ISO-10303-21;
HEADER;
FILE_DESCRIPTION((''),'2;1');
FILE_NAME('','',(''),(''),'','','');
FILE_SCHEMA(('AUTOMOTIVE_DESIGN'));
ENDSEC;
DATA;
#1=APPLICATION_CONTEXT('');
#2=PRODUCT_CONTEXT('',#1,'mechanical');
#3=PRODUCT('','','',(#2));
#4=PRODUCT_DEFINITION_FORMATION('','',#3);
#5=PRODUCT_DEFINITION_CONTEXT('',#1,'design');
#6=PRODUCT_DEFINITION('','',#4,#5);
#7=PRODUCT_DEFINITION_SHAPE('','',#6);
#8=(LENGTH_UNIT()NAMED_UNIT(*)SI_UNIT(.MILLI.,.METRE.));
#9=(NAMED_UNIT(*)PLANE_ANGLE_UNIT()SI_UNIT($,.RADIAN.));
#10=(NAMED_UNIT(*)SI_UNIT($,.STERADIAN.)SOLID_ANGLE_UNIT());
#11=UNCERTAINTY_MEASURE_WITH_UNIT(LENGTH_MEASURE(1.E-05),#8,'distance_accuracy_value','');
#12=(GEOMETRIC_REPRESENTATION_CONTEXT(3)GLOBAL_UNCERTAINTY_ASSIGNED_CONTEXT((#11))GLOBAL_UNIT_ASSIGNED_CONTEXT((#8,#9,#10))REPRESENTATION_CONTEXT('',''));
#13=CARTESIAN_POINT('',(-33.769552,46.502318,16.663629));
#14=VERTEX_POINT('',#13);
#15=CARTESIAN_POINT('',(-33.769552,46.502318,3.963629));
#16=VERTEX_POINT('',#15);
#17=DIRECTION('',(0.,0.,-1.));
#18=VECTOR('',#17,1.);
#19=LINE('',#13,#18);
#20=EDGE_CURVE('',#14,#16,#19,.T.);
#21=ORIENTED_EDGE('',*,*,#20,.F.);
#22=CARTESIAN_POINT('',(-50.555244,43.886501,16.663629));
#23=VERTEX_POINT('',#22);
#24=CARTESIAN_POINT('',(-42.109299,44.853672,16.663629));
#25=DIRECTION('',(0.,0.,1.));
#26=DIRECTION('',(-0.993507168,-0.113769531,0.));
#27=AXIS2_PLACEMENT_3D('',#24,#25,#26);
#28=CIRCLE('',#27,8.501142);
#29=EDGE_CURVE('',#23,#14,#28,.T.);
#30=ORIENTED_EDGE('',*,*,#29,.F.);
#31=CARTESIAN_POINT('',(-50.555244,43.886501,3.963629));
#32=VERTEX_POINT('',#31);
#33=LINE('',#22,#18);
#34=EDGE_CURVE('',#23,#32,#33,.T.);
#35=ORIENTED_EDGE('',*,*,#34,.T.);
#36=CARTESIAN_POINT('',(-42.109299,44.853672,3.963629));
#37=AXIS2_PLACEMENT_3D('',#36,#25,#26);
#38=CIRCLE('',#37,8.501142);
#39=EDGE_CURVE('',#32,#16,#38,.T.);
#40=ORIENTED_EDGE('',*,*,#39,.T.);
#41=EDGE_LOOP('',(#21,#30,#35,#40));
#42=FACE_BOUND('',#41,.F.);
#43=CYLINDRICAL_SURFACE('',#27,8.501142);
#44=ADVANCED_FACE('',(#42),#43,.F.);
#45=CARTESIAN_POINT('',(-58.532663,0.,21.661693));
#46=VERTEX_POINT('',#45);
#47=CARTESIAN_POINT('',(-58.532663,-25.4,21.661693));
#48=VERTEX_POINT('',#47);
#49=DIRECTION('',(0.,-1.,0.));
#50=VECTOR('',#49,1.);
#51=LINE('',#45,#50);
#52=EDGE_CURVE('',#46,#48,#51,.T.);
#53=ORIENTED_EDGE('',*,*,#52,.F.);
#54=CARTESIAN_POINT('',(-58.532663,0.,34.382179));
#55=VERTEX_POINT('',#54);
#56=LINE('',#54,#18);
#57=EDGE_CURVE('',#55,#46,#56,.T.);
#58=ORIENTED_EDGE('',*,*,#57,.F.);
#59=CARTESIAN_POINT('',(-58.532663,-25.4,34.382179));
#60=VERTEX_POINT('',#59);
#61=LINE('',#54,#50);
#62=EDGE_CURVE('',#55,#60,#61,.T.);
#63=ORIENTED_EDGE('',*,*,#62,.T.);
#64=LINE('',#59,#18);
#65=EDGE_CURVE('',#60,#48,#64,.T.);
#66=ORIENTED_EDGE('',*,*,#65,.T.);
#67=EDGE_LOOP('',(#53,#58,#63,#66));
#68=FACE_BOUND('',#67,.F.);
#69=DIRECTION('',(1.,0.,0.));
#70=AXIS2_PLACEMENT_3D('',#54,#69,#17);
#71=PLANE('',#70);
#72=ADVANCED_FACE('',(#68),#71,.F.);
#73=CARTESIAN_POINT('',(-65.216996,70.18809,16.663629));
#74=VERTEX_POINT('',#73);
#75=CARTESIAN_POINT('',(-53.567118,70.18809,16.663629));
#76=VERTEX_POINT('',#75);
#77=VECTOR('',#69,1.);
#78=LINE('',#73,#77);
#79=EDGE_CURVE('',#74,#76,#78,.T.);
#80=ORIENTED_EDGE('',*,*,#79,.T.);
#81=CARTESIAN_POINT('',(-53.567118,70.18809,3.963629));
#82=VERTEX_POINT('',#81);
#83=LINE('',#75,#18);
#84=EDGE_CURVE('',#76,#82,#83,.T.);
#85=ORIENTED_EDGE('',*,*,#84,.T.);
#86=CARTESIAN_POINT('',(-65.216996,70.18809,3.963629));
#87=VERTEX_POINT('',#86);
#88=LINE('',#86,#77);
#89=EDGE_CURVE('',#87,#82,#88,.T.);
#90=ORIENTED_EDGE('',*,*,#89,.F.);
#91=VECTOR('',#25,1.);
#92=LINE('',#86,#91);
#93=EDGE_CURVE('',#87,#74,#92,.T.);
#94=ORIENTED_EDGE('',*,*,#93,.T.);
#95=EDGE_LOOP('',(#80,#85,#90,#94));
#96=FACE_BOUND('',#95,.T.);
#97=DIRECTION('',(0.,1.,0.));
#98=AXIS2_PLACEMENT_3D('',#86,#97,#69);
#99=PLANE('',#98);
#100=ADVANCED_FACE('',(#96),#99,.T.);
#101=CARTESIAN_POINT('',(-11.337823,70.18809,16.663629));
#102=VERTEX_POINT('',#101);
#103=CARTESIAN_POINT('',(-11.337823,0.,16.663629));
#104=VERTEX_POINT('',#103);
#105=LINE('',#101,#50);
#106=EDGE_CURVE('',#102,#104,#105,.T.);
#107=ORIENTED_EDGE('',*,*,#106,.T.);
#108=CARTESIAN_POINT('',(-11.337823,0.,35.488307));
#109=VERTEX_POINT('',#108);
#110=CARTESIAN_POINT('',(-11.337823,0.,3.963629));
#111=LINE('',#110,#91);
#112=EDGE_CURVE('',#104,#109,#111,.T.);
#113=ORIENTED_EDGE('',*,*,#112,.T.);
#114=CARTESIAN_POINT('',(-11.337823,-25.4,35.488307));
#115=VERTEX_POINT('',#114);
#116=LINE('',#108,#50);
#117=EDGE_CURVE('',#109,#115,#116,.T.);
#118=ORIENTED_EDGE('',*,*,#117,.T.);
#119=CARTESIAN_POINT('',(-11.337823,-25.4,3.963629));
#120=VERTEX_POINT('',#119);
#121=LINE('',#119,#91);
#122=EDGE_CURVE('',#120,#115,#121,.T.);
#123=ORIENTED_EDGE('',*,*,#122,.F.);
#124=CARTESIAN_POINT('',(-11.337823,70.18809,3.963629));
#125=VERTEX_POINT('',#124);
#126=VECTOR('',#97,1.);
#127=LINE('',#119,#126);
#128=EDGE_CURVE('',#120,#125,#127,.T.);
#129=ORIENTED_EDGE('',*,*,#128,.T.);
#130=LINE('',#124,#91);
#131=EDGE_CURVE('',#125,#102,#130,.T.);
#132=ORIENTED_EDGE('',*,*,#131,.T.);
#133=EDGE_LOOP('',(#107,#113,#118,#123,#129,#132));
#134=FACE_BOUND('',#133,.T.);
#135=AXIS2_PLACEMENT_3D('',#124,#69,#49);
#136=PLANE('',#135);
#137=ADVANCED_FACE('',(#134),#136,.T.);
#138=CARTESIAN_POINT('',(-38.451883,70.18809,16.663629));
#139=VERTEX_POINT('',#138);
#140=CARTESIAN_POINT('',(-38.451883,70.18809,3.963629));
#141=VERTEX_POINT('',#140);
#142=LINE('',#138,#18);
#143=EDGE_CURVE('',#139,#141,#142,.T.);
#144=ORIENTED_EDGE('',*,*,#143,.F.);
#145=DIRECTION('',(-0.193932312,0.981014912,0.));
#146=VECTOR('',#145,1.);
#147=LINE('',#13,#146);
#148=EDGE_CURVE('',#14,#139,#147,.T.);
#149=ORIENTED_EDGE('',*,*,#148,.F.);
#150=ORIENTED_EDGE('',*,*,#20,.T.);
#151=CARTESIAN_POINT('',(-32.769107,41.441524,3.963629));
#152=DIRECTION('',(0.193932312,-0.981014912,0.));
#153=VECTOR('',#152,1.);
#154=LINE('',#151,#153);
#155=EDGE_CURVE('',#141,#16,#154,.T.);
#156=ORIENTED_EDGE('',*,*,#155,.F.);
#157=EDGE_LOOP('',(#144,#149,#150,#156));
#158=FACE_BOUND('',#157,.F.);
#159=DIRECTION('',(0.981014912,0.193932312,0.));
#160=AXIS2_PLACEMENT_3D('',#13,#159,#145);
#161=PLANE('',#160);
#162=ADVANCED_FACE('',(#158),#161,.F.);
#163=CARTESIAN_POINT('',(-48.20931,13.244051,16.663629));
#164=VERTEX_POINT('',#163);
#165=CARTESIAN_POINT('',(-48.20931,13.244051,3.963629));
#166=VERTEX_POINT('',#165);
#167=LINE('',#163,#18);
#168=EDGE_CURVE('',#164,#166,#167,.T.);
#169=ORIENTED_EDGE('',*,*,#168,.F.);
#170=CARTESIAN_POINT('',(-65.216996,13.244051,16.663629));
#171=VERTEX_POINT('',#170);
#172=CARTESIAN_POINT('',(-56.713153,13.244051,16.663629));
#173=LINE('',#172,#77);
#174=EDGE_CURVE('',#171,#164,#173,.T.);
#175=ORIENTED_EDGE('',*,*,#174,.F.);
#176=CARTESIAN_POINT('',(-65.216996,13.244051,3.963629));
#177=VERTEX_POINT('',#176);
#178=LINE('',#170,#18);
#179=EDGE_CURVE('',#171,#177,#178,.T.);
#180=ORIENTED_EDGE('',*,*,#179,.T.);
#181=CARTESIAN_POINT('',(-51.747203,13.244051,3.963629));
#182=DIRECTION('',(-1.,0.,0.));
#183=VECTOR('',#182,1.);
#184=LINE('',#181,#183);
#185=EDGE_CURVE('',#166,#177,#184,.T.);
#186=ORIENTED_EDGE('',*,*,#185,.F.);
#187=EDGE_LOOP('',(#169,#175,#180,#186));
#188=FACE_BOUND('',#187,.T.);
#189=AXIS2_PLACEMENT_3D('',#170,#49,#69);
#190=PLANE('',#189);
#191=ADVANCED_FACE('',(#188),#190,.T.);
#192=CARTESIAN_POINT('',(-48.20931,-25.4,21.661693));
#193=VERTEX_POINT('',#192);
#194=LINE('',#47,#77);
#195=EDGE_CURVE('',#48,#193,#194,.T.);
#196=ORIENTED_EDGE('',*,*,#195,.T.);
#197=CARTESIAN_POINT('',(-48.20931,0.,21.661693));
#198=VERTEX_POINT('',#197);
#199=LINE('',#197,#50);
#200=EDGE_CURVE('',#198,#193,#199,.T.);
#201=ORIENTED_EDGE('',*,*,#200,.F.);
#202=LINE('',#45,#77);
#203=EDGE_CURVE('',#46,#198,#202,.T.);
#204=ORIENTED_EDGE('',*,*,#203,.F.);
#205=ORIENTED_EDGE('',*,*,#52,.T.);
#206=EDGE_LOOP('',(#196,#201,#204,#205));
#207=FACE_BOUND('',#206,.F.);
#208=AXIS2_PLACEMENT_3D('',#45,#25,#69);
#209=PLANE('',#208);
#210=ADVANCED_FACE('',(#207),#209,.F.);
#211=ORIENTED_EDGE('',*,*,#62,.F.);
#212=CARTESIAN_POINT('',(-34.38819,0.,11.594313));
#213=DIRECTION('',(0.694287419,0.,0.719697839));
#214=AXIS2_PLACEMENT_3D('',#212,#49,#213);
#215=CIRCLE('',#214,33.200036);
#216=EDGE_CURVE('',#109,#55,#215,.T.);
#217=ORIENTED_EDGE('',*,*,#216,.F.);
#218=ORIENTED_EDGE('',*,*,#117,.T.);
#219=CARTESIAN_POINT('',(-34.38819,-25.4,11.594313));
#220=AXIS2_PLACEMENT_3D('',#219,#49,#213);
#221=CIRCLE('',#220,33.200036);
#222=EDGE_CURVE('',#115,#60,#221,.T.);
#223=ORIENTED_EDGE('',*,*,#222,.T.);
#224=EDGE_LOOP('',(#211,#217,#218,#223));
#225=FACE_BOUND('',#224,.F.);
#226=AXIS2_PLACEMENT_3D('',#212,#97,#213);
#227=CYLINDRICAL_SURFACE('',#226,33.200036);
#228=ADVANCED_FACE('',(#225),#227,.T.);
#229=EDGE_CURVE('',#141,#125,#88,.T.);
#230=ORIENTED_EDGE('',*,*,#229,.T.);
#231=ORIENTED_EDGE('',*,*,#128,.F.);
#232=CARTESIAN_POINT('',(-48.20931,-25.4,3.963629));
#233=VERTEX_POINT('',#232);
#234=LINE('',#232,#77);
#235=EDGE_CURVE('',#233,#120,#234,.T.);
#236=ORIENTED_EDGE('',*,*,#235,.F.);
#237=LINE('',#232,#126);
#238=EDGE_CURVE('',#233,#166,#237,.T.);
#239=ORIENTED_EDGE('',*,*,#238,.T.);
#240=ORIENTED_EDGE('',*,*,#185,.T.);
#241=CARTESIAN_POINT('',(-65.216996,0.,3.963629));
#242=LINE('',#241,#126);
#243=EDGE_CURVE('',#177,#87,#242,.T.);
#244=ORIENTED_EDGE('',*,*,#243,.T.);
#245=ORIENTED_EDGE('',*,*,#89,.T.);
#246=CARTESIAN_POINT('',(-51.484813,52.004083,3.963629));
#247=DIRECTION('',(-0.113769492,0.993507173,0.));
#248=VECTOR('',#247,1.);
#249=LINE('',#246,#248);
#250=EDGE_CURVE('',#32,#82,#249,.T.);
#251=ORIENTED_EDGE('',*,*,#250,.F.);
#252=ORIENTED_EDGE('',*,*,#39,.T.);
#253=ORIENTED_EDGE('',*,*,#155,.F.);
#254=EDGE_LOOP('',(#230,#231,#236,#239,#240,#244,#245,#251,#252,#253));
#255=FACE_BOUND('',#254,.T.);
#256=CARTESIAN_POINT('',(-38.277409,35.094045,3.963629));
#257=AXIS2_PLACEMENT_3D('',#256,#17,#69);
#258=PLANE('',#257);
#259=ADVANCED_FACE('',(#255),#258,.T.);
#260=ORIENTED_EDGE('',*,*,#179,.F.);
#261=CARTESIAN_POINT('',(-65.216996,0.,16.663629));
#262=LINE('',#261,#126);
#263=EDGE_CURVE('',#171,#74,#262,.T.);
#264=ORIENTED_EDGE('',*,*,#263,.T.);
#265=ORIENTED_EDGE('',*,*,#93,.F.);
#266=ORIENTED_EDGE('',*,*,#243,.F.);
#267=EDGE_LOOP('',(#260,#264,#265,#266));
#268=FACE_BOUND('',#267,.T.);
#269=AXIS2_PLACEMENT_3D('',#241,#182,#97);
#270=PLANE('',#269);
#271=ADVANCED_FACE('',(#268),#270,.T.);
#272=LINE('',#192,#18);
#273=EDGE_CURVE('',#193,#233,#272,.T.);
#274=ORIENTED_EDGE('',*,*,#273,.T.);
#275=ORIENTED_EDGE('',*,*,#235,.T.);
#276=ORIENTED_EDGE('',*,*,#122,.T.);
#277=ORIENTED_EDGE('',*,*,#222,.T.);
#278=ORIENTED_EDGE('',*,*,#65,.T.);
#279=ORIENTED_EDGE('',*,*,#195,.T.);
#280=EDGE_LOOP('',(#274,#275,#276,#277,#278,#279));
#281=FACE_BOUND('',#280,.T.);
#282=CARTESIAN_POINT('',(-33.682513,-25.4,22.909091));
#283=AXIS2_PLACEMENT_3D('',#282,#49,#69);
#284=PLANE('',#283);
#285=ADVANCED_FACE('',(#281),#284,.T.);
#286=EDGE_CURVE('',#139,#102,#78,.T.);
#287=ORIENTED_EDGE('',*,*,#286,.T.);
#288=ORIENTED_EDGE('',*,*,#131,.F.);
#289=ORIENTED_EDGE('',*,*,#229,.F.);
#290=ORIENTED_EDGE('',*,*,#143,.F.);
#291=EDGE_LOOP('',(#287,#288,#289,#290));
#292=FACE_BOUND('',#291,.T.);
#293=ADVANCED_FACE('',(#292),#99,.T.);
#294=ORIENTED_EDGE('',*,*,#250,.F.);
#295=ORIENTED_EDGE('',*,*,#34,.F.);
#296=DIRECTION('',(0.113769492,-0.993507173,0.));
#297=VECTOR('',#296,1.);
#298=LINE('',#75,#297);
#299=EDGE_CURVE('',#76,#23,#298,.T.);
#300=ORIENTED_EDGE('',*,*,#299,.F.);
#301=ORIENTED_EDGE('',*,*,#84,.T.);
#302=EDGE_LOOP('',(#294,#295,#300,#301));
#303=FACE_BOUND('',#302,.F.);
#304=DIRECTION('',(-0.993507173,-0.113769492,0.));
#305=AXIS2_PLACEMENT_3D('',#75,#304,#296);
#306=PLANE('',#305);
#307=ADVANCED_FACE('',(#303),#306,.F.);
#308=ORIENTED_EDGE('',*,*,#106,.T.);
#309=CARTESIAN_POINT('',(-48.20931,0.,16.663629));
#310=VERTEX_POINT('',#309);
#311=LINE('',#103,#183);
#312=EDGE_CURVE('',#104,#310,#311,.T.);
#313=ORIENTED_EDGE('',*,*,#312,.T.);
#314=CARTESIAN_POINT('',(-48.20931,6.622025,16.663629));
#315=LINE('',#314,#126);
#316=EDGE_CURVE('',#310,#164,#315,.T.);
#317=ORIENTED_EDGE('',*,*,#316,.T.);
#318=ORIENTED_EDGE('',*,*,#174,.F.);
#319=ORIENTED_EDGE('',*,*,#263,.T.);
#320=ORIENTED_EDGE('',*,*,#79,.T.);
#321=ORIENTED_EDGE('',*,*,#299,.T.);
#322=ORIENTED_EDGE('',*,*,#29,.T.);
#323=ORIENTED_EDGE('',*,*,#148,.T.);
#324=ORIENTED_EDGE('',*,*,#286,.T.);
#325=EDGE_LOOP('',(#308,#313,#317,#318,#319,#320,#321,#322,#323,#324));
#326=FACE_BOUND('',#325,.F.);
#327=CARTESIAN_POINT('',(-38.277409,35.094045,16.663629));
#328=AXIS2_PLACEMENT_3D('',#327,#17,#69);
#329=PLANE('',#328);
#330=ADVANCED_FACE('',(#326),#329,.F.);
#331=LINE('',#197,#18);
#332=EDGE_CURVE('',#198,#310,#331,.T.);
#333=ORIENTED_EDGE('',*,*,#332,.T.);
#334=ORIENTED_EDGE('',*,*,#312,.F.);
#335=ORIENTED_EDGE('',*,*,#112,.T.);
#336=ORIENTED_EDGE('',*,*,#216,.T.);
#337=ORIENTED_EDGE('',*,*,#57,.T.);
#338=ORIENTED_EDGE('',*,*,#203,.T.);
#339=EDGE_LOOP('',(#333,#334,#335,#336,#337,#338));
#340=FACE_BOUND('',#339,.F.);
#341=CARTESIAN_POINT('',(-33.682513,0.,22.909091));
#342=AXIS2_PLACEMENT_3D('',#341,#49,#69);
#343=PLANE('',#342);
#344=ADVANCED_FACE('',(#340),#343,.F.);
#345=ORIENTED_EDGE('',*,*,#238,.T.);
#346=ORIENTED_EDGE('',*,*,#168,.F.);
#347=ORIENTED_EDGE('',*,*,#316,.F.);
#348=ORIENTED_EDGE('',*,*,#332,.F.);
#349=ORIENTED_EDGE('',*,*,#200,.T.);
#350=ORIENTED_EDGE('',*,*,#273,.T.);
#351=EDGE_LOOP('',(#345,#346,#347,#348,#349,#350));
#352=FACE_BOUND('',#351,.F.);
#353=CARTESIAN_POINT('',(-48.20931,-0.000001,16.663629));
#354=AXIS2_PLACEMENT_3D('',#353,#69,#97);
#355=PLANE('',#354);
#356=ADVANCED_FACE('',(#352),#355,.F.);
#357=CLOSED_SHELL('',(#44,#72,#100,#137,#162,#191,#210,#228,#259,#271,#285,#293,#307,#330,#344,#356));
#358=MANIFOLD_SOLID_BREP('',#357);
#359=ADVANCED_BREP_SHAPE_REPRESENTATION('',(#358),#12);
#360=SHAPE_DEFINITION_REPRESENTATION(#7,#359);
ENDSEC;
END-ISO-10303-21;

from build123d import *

# Parameters (mm, degrees)
F1_DEPTH = 25.4
F3_DEPTH = 12.7
F4_W     = 17.007686
F4_H     = 13.244051
F5_DEPTH = 25.4
F7_DEPTH = 25.4


with BuildPart() as f1:
    # F0 (on Front) → F1 (new body)
    with BuildSketch(Plane.XZ):
        with BuildLine():
            Line((-11.337823, 21.661693), (-11.337823, 35.488307))
            ThreePointArc((-11.337823, 35.488307), (-35.166102, 44.785234), (-58.532663, 34.382179))
            Line((-58.532663, 34.382179), (-58.532663, 21.661693))
            Line((-58.532663, 21.661693), (-48.20931, 21.661693))
            Line((-48.20931, 21.661693), (-48.20931, 3.963629))
            Line((-48.20931, 3.963629), (-11.337823, 3.963629))
            Line((-11.337823, 3.963629), (-11.337823, 21.661693))
        make_face()
    extrude(amount=F1_DEPTH)

    # F2 (on face) → F3 (join)
    with BuildSketch(Plane(origin=(0, 0, 3.963629), x_dir=(1, 0, 0), z_dir=(0, 0, -1))):
        Polygon((-11.337823, -70.18809), (-11.337823, 0), (-48.20931, 0), (-65.216996, 0), (-65.216996, -70.18809), align=None)
    extrude(amount=-F3_DEPTH)

    # F4 (on face) → F5 (cut)
    with BuildSketch(Plane.XY.offset(16.663629)):
        with Locations((-56.713153, 6.622025)):
            Rectangle(F4_W, F4_H)
    extrude(amount=-F5_DEPTH, mode=Mode.SUBTRACT)

    # F6 (on face) → F7 (cut)
    with BuildSketch(Plane.XY.offset(16.663629)):
        with BuildLine():
            Line((-53.567118, 70.18809), (-50.555244, 43.886501))
            ThreePointArc((-50.555244, 43.886501), (-40.800313, 36.453912), (-33.769552, 46.502318))
            Line((-33.769552, 46.502318), (-38.451883, 70.18809))
            Line((-38.451883, 70.18809), (-53.567118, 70.18809))
        make_face()
    extrude(amount=-F7_DEPTH, mode=Mode.SUBTRACT)


solid = f1.part
